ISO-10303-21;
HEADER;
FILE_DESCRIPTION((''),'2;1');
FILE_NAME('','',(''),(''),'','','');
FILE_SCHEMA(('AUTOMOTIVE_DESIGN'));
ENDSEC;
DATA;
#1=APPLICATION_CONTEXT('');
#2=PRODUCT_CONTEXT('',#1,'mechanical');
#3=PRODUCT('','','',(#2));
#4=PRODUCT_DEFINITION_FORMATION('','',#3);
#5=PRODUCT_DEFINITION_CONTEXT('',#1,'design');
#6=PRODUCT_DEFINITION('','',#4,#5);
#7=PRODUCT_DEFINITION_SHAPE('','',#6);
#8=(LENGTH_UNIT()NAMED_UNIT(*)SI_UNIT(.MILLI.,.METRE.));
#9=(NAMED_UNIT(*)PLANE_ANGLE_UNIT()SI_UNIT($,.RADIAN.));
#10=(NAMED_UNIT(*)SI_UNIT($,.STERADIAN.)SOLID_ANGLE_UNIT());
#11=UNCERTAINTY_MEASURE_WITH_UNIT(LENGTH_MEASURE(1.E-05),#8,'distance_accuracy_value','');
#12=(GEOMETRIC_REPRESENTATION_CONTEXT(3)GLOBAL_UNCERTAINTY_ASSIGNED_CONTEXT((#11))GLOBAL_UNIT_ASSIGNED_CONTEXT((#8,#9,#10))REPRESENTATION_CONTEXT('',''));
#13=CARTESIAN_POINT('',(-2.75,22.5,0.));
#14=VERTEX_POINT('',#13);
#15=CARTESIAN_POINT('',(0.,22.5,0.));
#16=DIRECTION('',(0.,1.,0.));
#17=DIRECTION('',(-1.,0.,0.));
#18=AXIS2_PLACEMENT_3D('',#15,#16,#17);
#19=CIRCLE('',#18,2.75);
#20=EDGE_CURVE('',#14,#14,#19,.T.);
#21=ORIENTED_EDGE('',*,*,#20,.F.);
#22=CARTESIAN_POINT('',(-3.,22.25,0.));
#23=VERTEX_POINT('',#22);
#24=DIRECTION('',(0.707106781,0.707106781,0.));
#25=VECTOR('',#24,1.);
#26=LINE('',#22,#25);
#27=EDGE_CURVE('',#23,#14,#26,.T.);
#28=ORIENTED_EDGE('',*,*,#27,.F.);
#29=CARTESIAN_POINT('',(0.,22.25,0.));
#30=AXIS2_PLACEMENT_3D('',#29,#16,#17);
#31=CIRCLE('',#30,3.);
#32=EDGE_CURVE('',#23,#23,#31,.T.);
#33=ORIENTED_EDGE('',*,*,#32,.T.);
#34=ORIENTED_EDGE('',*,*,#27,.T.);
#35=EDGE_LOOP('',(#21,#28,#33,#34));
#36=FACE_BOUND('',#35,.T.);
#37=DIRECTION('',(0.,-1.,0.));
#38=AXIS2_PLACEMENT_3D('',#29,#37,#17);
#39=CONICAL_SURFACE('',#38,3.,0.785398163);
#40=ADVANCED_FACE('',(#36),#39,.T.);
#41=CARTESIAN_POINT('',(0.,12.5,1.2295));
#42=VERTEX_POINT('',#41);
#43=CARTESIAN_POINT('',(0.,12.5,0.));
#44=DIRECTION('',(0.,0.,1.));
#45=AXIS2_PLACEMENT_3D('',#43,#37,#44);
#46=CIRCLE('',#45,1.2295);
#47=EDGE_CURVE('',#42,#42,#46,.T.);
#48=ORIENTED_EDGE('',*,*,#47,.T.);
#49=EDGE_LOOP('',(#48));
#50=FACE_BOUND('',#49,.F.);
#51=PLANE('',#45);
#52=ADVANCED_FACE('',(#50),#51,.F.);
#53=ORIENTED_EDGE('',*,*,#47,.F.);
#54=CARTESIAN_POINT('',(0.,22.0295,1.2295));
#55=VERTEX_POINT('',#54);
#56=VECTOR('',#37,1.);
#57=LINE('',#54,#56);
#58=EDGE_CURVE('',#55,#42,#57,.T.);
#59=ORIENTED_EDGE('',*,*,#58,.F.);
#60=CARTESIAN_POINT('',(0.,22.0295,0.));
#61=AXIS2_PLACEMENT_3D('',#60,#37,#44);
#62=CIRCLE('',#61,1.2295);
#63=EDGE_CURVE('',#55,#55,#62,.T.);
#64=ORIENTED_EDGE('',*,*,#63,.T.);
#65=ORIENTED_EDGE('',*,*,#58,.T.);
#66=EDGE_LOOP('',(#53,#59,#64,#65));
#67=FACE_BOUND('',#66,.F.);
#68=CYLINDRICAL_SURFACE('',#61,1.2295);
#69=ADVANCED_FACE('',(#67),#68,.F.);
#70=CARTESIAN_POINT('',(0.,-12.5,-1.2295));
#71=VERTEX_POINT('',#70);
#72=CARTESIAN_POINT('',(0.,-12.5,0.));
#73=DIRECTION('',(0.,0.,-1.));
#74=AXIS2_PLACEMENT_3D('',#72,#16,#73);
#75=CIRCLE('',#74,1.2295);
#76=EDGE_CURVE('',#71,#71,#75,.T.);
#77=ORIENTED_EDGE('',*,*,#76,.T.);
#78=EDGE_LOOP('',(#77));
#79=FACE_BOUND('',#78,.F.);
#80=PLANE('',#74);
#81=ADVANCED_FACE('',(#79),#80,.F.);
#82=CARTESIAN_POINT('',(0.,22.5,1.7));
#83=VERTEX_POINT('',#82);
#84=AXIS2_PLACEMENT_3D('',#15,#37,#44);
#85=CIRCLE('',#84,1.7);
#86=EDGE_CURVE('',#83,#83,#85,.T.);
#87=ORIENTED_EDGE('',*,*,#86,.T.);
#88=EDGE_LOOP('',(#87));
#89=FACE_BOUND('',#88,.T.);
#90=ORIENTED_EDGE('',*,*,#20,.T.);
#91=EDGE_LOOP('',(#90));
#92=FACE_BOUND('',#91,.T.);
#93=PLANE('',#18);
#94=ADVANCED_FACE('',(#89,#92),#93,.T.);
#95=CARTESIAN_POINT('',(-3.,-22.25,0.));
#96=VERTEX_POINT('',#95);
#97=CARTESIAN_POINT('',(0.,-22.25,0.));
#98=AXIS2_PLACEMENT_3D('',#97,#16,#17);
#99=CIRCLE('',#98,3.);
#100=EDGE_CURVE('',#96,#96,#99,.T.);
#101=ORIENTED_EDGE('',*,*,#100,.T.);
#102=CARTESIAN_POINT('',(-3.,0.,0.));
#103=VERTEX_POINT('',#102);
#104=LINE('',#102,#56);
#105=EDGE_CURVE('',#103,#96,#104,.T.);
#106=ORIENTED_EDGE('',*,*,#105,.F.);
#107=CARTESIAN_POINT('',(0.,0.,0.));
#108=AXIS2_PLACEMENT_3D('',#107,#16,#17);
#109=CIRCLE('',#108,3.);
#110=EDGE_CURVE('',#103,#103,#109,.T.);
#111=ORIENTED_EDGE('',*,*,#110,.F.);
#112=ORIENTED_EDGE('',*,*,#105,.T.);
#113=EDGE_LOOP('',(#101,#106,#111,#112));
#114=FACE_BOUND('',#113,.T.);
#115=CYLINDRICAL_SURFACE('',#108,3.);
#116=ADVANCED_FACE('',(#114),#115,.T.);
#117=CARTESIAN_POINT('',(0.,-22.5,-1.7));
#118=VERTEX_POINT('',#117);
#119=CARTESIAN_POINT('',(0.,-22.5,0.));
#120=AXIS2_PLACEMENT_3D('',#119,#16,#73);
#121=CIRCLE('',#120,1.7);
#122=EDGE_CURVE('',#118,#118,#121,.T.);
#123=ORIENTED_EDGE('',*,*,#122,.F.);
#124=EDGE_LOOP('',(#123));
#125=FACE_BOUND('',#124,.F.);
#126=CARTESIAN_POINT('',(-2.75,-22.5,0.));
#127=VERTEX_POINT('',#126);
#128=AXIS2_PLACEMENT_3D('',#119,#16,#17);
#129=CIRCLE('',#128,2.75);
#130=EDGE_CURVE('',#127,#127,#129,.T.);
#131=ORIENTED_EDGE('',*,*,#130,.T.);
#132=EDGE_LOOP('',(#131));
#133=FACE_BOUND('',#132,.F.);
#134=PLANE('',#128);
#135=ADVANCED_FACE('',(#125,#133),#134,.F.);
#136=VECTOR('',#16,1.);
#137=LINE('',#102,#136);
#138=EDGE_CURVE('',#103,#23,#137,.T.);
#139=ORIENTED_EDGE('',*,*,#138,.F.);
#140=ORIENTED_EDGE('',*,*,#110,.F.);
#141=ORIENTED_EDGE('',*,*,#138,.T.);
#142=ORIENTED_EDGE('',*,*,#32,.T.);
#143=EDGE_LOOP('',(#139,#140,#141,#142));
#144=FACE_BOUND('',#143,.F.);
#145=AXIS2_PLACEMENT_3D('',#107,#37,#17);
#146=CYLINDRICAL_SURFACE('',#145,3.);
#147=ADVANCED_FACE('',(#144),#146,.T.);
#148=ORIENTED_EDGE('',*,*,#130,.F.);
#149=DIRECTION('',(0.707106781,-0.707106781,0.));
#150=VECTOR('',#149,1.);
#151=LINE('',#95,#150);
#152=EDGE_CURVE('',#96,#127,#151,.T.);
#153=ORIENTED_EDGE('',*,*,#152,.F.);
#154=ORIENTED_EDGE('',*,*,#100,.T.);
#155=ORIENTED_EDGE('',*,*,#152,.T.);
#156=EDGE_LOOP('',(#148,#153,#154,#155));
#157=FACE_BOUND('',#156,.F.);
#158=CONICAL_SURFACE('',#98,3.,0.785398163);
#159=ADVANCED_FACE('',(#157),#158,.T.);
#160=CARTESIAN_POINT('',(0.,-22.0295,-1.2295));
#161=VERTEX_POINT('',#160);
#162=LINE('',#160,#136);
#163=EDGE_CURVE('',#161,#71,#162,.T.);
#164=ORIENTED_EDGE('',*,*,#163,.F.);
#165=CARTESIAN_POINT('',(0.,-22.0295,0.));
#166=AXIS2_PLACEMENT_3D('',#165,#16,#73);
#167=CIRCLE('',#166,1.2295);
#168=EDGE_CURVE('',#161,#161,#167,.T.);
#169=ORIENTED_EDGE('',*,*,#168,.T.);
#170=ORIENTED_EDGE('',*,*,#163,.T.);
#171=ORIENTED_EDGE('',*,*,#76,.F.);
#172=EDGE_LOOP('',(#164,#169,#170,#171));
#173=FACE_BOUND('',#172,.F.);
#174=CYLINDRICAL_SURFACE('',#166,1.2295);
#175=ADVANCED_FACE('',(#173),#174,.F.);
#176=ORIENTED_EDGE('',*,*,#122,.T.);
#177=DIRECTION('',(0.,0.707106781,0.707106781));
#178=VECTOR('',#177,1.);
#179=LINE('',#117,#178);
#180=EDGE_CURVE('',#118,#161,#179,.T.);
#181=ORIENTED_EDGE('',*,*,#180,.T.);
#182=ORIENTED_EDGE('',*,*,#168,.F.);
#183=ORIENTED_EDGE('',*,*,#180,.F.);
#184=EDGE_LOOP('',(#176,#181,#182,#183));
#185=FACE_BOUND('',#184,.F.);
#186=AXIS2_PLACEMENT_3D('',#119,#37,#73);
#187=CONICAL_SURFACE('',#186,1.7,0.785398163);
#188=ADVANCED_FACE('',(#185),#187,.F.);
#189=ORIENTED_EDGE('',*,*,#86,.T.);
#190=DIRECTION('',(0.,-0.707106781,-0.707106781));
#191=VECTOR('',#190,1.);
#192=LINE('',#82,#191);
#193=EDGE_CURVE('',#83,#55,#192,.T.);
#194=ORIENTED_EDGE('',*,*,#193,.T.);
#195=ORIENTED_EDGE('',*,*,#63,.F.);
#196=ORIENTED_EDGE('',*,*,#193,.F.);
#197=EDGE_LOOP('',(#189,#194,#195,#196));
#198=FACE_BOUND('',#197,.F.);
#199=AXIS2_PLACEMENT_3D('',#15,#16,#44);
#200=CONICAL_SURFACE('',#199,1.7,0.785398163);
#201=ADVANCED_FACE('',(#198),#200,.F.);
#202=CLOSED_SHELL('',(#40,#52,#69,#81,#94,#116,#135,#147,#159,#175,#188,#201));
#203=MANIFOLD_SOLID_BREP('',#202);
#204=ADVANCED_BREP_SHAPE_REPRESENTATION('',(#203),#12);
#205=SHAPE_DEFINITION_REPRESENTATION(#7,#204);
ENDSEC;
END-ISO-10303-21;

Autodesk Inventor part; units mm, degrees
ref_plane "YZ Plane" through (0, 0, 0) normal (1, 0, 0) x (0, 1, 0)
ref_plane "XZ Plane" through (0, 0, 0) normal (0, 1, 0) x (-1, 0, 0)
ref_plane "XY Plane" through (0, 0, 0) normal (0, 0, 1) x (1, 0, 0)
sketch "スケッチ1" plane through (0, 0, 0) normal (0, 1, 0) x (-1, 0, 0)
  circle A0 centre (0, 0) radius 3
  dimension "d0" = 6
extrude "押し出し1" add sketch "スケッチ1" along normal mid plane 45
sketch "スケッチ2" plane through (0, 22.5, 0) normal (0, 1, 0) x (1, 0, 0)
  point P0 (0, 0)
  point P1 (0, 0)
hole "穴1" at (0, 22.5, 0) direction (0, -1, 0) diameter 2.459 depth 10 countersink diameter 3.4 countersink angle 90 thread size "M3x0.5" class "6H" standard "ISO Metric profile"
sketch "スケッチ3" plane through (0, -22.5, 0) normal (0, -1, 0) x (1, 0, 0)
  point P0 (0, 0)
  point P1 (0, 0)
hole "穴2" at (0, -22.5, 0) direction (0, 1, 0) diameter 2.459 depth 10 countersink diameter 3.4 countersink angle 90 thread size "M3x0.5" class "6H" standard "ISO Metric profile"
chamfer "面取り1" distance 0.25 angle 45 2 edges at (3, -22.5, 0) (3, 22.5, 0)
properties part number "Spacer_M3D6L45" material "アルミニウム 6061"
